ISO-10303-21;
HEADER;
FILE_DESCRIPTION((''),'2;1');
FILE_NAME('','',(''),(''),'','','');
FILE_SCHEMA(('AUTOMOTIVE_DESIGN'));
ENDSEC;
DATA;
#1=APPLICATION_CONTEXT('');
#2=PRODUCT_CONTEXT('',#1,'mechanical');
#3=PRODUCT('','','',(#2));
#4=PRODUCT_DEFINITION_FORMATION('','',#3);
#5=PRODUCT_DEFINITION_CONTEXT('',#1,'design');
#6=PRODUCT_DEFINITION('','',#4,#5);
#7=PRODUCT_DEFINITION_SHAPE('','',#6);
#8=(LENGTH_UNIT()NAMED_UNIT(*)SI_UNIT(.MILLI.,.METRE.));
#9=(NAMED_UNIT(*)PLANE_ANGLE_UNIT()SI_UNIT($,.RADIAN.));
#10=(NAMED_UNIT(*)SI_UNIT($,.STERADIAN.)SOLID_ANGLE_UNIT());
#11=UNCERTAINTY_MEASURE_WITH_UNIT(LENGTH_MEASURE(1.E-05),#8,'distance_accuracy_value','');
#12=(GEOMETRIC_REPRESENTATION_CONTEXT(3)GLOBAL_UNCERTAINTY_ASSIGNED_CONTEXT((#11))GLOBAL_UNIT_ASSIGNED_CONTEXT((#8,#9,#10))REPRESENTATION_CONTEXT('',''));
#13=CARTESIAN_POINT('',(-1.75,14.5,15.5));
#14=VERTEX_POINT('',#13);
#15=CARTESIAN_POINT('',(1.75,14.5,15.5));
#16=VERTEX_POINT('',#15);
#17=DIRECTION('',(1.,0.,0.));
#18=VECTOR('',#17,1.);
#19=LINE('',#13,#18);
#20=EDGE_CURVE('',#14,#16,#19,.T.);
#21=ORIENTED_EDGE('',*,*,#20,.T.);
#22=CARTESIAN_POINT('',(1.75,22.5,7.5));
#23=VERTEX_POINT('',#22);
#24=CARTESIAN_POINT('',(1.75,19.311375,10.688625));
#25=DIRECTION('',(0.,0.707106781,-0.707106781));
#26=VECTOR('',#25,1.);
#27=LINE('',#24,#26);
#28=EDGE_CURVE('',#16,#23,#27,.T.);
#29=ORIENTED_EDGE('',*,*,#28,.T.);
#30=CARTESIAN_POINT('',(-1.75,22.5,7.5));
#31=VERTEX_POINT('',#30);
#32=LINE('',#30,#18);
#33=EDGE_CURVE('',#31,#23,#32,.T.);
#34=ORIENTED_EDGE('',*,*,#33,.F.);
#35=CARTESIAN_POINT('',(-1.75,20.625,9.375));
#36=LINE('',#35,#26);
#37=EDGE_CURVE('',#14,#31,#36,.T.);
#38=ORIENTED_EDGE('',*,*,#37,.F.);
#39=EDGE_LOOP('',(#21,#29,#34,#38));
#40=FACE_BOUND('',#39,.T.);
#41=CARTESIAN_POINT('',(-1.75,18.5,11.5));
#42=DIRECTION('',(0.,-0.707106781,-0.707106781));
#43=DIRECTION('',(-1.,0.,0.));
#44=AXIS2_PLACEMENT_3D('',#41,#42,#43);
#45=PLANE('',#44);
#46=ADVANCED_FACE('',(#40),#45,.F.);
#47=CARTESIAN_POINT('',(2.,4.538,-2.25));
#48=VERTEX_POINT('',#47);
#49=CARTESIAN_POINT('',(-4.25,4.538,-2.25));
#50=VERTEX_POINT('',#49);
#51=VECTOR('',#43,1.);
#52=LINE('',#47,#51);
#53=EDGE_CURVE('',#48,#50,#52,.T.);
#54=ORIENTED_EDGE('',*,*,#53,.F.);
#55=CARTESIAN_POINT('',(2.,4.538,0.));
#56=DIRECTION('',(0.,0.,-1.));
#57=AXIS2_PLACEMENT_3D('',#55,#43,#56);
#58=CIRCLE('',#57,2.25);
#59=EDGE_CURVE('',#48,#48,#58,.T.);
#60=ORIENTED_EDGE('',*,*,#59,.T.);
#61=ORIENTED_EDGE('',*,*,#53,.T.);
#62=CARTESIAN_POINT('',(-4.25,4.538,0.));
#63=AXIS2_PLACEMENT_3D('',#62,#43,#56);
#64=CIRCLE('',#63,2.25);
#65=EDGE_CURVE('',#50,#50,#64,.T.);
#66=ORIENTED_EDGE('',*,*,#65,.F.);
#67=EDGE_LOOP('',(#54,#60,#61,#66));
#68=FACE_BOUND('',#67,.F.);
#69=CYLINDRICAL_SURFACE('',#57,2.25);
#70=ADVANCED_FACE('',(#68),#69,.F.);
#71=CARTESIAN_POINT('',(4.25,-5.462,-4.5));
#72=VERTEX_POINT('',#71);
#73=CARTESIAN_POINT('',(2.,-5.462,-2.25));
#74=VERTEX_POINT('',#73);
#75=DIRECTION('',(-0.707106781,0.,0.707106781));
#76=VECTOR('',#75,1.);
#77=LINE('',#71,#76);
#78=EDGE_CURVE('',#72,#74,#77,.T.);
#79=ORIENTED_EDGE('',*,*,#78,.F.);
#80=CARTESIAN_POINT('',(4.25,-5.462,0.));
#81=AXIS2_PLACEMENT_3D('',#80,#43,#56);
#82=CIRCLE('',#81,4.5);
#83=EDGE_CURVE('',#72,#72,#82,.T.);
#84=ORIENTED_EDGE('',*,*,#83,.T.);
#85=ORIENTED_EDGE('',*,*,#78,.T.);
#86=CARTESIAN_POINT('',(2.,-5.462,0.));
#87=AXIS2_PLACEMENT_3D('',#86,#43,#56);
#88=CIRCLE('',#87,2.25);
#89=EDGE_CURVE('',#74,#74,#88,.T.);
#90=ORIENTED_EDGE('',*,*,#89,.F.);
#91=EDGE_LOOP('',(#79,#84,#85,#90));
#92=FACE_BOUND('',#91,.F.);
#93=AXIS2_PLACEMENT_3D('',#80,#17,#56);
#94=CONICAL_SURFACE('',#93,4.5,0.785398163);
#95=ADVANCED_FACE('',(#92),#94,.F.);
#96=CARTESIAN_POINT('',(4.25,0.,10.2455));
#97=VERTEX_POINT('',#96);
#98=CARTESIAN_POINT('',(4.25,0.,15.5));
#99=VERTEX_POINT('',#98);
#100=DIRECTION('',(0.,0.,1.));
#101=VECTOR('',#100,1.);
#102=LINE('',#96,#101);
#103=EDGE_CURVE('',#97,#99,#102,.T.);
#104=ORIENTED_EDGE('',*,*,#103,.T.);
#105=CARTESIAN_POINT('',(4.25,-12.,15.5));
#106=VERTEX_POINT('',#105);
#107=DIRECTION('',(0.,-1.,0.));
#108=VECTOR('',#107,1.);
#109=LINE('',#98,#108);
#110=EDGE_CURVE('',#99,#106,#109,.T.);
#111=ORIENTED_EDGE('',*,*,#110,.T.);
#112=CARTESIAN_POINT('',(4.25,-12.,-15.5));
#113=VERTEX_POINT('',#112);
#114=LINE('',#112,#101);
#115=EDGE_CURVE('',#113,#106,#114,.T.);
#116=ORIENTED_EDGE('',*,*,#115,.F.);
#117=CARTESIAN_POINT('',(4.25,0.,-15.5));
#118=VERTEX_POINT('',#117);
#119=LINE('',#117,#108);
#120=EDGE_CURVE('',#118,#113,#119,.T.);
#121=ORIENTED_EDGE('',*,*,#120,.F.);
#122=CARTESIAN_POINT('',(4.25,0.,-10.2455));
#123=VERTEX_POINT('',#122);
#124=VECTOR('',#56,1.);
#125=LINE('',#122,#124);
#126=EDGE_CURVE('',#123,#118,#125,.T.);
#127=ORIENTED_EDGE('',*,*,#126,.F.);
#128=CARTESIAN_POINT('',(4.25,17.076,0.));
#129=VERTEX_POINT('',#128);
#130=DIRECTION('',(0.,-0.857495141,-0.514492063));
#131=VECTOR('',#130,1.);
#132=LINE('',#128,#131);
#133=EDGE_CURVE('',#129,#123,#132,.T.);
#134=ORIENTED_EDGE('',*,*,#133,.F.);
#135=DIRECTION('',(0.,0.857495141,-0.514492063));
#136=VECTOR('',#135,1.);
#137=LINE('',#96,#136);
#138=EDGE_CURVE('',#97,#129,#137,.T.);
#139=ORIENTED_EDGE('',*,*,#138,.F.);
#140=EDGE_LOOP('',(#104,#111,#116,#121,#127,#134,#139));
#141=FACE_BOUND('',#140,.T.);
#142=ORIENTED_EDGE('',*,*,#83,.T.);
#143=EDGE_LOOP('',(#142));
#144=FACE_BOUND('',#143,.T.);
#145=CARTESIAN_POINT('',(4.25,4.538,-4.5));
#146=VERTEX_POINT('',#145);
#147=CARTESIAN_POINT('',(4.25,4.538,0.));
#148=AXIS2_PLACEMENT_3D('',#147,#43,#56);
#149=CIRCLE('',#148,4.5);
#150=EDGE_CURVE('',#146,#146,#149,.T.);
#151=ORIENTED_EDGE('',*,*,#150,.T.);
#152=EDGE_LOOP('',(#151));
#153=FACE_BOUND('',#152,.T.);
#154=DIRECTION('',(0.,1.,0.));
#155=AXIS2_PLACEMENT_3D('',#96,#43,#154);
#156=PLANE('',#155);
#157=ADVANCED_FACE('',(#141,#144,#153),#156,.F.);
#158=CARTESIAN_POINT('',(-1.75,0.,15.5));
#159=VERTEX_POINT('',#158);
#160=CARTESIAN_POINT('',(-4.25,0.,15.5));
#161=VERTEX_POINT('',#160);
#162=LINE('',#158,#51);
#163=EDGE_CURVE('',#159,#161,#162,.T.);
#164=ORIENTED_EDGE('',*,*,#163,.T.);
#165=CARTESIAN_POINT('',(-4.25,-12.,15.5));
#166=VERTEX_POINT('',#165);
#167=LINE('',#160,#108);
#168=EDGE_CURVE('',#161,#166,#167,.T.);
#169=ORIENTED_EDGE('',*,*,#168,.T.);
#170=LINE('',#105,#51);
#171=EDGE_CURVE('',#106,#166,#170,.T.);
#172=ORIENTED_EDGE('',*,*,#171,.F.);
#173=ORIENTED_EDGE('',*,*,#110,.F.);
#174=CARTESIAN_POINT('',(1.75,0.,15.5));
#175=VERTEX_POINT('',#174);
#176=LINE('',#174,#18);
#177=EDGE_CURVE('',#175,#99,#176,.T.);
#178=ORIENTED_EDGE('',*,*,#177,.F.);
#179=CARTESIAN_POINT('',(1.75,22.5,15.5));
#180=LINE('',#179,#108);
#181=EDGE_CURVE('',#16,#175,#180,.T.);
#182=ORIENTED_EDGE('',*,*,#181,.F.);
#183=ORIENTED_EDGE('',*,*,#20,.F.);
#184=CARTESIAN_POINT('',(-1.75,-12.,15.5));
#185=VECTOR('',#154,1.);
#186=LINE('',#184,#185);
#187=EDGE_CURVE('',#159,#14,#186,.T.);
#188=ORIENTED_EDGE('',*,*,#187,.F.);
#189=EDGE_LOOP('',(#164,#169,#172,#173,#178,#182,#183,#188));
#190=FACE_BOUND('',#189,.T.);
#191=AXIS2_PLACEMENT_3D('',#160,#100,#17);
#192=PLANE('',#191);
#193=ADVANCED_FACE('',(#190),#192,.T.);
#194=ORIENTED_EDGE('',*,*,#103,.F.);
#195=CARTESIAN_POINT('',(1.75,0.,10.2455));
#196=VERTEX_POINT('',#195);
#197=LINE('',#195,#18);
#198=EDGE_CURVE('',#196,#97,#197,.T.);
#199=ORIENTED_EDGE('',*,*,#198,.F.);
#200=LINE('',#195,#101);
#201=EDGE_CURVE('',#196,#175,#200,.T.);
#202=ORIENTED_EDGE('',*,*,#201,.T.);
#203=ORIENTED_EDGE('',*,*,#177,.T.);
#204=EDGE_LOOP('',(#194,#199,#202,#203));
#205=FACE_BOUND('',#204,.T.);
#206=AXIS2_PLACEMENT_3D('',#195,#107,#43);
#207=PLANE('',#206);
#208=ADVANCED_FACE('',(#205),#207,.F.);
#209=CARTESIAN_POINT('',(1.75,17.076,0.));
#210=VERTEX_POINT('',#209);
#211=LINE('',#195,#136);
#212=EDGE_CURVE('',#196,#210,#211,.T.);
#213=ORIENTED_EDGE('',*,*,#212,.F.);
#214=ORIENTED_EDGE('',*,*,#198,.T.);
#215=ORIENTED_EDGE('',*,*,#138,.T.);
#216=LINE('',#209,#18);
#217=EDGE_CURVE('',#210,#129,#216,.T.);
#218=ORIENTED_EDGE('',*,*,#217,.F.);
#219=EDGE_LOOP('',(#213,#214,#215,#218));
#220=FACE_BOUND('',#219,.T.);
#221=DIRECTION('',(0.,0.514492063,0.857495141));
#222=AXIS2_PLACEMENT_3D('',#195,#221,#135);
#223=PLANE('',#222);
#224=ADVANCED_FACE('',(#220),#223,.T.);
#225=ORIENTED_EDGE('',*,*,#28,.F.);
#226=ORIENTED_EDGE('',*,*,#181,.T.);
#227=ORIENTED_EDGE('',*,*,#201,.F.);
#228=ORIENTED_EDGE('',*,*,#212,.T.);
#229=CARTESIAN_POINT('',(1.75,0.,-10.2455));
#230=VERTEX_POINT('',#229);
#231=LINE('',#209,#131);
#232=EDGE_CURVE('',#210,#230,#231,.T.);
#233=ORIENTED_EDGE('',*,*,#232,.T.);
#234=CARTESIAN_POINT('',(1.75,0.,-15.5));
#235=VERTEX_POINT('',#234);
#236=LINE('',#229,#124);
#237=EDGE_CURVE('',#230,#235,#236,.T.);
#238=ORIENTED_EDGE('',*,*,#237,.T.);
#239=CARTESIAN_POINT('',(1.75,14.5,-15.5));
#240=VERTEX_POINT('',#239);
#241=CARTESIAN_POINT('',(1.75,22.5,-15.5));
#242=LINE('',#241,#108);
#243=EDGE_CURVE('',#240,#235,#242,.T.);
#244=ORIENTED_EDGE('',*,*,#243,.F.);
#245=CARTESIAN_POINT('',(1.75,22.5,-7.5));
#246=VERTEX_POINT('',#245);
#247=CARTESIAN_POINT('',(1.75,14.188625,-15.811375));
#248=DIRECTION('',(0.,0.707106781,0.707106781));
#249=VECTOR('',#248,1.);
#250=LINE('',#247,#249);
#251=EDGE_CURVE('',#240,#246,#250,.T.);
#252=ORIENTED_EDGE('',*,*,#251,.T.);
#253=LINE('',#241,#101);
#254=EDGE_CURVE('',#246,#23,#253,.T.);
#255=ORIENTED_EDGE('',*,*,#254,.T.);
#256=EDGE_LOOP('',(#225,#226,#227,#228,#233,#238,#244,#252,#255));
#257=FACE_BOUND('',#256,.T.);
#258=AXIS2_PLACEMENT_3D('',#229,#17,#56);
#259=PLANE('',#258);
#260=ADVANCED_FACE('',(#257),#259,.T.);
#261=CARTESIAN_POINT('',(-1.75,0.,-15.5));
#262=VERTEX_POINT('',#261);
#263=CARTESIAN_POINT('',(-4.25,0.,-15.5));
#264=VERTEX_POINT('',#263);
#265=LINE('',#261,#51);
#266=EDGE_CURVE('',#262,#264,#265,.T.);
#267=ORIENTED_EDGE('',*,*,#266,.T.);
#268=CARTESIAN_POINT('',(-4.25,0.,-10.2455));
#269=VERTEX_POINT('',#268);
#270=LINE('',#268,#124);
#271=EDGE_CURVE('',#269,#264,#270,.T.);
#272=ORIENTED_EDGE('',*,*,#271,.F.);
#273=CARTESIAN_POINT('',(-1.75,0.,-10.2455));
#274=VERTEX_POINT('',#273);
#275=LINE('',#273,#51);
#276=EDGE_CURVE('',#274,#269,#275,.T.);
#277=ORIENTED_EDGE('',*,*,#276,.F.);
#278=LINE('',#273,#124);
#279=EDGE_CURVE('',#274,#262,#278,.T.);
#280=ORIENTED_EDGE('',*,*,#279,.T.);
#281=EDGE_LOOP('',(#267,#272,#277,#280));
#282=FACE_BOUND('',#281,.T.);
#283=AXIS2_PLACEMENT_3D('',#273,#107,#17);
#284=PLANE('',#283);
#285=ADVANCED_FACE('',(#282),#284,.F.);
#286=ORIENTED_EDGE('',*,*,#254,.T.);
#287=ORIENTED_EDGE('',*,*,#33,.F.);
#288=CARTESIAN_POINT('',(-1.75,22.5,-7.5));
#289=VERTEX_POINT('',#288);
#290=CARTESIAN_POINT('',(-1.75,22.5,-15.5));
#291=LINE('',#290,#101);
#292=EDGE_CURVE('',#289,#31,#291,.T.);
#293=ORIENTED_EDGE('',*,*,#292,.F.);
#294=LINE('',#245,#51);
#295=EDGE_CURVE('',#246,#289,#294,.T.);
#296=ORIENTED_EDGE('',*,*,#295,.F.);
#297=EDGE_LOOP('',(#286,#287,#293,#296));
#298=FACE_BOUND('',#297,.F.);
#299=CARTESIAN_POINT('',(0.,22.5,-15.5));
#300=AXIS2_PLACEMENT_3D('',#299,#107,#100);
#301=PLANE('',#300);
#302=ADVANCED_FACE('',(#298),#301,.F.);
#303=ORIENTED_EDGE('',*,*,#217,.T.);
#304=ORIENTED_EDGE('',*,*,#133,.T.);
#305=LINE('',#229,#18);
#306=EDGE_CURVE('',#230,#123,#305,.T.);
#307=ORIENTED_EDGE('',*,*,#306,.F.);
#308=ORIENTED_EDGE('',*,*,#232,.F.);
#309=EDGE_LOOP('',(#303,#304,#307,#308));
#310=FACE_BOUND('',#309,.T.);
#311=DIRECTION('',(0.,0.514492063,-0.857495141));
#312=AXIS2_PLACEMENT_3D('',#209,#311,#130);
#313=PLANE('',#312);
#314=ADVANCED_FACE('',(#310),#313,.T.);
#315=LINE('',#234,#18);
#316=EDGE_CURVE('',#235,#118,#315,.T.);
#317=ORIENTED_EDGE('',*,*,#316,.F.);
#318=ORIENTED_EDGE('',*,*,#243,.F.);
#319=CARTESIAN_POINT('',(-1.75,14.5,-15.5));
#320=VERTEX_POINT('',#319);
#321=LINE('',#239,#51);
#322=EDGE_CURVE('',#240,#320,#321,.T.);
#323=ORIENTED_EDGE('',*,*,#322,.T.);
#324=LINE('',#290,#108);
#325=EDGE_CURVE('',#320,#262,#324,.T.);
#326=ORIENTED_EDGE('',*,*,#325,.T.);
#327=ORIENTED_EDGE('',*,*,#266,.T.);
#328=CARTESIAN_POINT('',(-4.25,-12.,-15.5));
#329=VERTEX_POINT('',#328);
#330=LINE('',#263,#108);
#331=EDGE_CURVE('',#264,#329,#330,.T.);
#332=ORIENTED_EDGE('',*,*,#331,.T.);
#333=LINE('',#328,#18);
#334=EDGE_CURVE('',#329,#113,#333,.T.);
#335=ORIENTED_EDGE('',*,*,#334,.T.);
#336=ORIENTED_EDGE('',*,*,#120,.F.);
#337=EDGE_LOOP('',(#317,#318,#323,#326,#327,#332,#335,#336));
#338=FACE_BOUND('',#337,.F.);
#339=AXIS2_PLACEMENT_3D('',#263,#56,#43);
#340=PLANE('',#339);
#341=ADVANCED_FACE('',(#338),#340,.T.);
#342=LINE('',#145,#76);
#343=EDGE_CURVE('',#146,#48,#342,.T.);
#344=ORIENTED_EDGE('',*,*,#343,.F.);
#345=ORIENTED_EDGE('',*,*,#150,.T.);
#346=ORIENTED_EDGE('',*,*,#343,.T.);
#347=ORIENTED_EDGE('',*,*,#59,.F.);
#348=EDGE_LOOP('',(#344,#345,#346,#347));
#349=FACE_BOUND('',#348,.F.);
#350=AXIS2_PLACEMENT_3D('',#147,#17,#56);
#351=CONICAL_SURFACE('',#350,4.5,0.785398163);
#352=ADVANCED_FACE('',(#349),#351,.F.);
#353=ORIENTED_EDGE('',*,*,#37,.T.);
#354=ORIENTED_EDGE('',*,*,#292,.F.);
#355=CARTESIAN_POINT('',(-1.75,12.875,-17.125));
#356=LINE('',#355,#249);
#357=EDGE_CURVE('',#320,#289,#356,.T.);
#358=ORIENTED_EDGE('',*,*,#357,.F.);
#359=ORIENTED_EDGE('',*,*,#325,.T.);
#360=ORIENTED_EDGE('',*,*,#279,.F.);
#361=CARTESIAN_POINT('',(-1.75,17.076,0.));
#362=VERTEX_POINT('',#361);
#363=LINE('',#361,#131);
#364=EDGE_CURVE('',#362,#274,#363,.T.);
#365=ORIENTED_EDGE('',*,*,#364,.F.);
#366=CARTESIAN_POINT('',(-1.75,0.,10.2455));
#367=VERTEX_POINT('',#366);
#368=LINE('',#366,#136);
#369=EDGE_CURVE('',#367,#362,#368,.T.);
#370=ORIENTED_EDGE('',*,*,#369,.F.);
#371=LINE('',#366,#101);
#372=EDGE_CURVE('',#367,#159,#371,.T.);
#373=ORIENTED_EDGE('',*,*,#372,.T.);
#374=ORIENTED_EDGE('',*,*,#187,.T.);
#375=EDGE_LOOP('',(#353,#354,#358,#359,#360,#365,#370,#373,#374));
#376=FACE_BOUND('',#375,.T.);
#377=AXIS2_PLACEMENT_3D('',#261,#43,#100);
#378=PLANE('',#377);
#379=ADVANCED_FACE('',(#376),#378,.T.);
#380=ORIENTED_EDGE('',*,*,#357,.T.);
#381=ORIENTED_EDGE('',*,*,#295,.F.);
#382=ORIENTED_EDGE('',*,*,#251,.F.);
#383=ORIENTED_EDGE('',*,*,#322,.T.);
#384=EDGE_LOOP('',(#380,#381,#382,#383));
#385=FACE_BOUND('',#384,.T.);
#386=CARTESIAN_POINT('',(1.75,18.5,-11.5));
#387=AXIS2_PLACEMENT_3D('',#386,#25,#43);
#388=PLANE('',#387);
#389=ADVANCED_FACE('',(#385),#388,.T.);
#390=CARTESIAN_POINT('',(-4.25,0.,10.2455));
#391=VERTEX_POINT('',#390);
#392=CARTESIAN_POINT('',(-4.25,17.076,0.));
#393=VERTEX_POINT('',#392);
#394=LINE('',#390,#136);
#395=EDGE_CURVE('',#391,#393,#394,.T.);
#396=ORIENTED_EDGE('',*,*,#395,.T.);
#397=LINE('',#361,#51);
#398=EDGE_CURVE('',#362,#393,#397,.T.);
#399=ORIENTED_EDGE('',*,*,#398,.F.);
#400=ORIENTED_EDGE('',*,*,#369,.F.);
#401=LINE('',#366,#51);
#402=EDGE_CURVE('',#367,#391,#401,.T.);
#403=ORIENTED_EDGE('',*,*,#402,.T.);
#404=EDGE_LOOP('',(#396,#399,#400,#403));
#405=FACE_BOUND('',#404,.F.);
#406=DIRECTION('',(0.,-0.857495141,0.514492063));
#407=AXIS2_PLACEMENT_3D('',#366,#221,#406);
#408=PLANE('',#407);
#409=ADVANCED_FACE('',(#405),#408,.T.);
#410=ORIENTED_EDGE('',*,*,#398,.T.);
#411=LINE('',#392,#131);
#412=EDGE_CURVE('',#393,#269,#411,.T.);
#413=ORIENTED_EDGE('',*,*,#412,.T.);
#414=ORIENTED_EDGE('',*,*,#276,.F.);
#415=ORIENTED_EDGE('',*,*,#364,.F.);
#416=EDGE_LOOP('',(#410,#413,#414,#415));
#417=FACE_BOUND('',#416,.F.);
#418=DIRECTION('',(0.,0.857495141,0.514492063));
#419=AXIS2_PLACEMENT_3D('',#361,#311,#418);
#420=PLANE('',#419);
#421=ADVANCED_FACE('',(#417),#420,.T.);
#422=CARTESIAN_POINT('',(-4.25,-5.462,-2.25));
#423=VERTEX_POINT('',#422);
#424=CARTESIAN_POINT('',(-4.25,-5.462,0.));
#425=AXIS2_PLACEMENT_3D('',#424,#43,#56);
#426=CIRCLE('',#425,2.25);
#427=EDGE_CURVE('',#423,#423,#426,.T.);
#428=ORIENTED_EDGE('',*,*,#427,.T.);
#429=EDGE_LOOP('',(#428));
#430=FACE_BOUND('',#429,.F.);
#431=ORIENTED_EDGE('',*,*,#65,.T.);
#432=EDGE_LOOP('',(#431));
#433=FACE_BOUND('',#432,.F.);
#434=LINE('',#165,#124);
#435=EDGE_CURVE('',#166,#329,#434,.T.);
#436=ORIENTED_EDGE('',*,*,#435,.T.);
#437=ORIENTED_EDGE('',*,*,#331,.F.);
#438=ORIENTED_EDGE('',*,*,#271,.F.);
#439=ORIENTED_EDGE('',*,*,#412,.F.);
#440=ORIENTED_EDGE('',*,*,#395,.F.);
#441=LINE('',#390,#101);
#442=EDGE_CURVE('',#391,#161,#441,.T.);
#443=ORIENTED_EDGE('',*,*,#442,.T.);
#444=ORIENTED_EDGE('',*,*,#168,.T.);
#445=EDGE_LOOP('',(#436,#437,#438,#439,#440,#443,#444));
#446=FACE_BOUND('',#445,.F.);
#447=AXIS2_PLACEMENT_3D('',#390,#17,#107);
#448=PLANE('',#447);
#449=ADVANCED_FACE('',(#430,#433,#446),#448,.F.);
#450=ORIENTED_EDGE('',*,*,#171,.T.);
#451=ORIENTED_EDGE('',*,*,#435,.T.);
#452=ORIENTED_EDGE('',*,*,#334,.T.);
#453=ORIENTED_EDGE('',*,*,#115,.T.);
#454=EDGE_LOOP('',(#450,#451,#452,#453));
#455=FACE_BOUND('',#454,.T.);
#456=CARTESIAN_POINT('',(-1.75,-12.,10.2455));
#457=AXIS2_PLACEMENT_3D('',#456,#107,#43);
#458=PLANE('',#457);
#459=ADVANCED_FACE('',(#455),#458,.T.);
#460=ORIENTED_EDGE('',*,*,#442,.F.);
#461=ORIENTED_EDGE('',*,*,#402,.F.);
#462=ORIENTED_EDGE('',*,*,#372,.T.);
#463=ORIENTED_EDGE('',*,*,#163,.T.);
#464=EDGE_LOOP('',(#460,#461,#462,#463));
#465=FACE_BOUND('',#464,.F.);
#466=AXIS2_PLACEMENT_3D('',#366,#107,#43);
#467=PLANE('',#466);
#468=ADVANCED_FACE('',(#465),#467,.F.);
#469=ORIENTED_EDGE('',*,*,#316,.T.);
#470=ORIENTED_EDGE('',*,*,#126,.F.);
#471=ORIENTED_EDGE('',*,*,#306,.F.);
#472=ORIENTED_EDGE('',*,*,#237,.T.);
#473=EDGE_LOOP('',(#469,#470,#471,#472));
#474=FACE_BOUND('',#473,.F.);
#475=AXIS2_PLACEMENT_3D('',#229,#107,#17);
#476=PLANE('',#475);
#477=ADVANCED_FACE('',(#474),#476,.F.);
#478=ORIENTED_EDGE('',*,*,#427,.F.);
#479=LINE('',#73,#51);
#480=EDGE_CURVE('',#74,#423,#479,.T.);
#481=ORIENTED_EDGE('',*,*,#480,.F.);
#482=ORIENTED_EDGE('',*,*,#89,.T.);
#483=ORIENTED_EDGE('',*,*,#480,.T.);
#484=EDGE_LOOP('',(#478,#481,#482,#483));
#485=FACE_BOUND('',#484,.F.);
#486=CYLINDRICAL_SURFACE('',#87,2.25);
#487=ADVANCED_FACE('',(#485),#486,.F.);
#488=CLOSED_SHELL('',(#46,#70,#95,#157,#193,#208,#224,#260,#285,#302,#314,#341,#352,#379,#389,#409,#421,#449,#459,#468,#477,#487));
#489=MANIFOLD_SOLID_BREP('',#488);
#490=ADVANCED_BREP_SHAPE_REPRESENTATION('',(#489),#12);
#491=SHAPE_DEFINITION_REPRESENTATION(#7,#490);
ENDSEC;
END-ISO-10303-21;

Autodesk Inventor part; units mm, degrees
ref_plane "YZ Plane" through (0, 0, 0) normal (1, 0, 0) x (0, 1, 0)
ref_plane "XZ Plane" through (0, 0, 0) normal (0, 1, 0) x (-1, 0, 0)
ref_plane "XY Plane" through (0, 0, 0) normal (0, 0, 1) x (1, 0, 0)
sketch "Sketch1" plane through (0, 0, 0) normal (1, 0, 0) x (0, 1, 0)
  line L0 (22.5, 15.5) -> (0, 15.5)
  line L1 (0, 15.5) -> (0, -15.5)
  line L2 (0, -15.5) -> (22.5, -15.5)
  line L3 (22.5, -15.5) -> (22.5, 15.5)
  line L4 (0, -21.7) -> (0, 21.7) projected
  point P0 (0, 0)
  point P1 (22.5, 0)
  dimension "d0" = 31
  dimension "d1" = 22.5
extrude "Extrusion1" add sketch "Sketch1" along normal mid plane 3.5
sketch "Sketch2" plane through (1.75, 0, 0) normal (1, 0, 0) x (0, 0, -1)
  line L0 (-10.2455, 0) -> (0, 17.076)
  line L1 (0, 17.076) -> (10.2455, 0)
  line L2 (-15.5, 0) -> (15.5, 0) projected
  point P0 (0, 0)
  dimension "d31" = 20.491
  dimension "d33" = 17.076
extrude "Extrusion4" add sketch "Sketch2" along normal blind 2.5
mirror "Mirror2" about plane through (0, 0, 0) normal (1, 0, 0) of "Extrusion4"
sketch "Sketch7" plane through (-1.75, 0, -15.5) normal (0, -1, 0) x (1, 0, 0)
  line L0 (0, 0) -> (3.5, 0) projected
  line L1 (3.5, 5.2545) -> (3.5, 0) projected
  line L2 (3.5, 5.2545) -> (6, 5.2545) projected
  line L3 (6, 25.7455) -> (6, 5.2545) projected
  line L4 (3.5, 25.7455) -> (6, 25.7455) projected
  line L5 (3.5, 31) -> (3.5, 25.7455) projected
  line L6 (0, 31) -> (3.5, 31) projected
  line L7 (0, 25.7455) -> (0, 31) projected
  line L8 (0, 25.7455) -> (-2.5, 25.7455) projected
  line L9 (-2.5, 25.7455) -> (-2.5, 5.2545) projected
  line L10 (0, 5.2545) -> (-2.5, 5.2545) projected
  line L11 (0, 0) -> (0, 5.2545) projected
  point P0 (1.75, 15.5)
extrude "Extrusion5" add sketch "Sketch7" along normal blind 12
sketch "Sketch8" plane through (4.25, 0, -10.2455) normal (0, 0, -1) x (-1, 0, 0)
  line L0 (2.5, 0) -> (0, 0) projected
  line L1 (0, 0) -> (0, -12) projected
  line L2 (2.5, -12) -> (0, -12) projected
  line L3 (2.5, 0) -> (2.5, -12) projected
  point P0 (4.25, 0)
extrude "Extrusion6" add sketch "Sketch8" along normal up to surface (5.2545 mm away)
mirror "Mirror3" about plane through (0, 0, 0) normal (0, 0, 1) of "Extrusion6"
mirror "Mirror4" about plane through (0, 0, 0) normal (1, 0, 0) of "Extrusion6", "Mirror3"
sketch "Sketch9" plane through (4.25, 0, 0) normal (1, 0, 0) x (0, 0, -1)
  line L0 (0, 17.076) -> (-10.2455, 0) construction
  line L1 (0, 17.076) -> (0, -12) construction
  line L2 (-15.5, -12) -> (15.5, -12) construction
  line L3 (-5.1228, 8.538) -> (5.1227, 8.538) construction
  line L4 (0, 17.076) -> (10.2455, 0) construction
  line L5 (-7.5227, 4.538) -> (7.5227, 4.538) construction
  line L6 (-13.5227, -5.462) -> (13.5227, -5.462) construction
  point P0 (0, 0)
  dimension "d40" = 4
  dimension "d50" = 10
hole "Hole3" at (4.25, 4.538, 0) direction (-1, 0, 0) diameter 4.5 end through all countersink diameter 9 countersink angle 90
hole "Hole4" at (4.25, -5.462, 0) direction (-1, 0, 0) diameter 4.5 end through all countersink diameter 9 countersink angle 90
chamfer "Chamfer1" distance 8 angle 45 2 edges at (0, 22.5, 15.5) (0, 22.5, -15.5)
properties part number "Traingular Hopper Connector"
